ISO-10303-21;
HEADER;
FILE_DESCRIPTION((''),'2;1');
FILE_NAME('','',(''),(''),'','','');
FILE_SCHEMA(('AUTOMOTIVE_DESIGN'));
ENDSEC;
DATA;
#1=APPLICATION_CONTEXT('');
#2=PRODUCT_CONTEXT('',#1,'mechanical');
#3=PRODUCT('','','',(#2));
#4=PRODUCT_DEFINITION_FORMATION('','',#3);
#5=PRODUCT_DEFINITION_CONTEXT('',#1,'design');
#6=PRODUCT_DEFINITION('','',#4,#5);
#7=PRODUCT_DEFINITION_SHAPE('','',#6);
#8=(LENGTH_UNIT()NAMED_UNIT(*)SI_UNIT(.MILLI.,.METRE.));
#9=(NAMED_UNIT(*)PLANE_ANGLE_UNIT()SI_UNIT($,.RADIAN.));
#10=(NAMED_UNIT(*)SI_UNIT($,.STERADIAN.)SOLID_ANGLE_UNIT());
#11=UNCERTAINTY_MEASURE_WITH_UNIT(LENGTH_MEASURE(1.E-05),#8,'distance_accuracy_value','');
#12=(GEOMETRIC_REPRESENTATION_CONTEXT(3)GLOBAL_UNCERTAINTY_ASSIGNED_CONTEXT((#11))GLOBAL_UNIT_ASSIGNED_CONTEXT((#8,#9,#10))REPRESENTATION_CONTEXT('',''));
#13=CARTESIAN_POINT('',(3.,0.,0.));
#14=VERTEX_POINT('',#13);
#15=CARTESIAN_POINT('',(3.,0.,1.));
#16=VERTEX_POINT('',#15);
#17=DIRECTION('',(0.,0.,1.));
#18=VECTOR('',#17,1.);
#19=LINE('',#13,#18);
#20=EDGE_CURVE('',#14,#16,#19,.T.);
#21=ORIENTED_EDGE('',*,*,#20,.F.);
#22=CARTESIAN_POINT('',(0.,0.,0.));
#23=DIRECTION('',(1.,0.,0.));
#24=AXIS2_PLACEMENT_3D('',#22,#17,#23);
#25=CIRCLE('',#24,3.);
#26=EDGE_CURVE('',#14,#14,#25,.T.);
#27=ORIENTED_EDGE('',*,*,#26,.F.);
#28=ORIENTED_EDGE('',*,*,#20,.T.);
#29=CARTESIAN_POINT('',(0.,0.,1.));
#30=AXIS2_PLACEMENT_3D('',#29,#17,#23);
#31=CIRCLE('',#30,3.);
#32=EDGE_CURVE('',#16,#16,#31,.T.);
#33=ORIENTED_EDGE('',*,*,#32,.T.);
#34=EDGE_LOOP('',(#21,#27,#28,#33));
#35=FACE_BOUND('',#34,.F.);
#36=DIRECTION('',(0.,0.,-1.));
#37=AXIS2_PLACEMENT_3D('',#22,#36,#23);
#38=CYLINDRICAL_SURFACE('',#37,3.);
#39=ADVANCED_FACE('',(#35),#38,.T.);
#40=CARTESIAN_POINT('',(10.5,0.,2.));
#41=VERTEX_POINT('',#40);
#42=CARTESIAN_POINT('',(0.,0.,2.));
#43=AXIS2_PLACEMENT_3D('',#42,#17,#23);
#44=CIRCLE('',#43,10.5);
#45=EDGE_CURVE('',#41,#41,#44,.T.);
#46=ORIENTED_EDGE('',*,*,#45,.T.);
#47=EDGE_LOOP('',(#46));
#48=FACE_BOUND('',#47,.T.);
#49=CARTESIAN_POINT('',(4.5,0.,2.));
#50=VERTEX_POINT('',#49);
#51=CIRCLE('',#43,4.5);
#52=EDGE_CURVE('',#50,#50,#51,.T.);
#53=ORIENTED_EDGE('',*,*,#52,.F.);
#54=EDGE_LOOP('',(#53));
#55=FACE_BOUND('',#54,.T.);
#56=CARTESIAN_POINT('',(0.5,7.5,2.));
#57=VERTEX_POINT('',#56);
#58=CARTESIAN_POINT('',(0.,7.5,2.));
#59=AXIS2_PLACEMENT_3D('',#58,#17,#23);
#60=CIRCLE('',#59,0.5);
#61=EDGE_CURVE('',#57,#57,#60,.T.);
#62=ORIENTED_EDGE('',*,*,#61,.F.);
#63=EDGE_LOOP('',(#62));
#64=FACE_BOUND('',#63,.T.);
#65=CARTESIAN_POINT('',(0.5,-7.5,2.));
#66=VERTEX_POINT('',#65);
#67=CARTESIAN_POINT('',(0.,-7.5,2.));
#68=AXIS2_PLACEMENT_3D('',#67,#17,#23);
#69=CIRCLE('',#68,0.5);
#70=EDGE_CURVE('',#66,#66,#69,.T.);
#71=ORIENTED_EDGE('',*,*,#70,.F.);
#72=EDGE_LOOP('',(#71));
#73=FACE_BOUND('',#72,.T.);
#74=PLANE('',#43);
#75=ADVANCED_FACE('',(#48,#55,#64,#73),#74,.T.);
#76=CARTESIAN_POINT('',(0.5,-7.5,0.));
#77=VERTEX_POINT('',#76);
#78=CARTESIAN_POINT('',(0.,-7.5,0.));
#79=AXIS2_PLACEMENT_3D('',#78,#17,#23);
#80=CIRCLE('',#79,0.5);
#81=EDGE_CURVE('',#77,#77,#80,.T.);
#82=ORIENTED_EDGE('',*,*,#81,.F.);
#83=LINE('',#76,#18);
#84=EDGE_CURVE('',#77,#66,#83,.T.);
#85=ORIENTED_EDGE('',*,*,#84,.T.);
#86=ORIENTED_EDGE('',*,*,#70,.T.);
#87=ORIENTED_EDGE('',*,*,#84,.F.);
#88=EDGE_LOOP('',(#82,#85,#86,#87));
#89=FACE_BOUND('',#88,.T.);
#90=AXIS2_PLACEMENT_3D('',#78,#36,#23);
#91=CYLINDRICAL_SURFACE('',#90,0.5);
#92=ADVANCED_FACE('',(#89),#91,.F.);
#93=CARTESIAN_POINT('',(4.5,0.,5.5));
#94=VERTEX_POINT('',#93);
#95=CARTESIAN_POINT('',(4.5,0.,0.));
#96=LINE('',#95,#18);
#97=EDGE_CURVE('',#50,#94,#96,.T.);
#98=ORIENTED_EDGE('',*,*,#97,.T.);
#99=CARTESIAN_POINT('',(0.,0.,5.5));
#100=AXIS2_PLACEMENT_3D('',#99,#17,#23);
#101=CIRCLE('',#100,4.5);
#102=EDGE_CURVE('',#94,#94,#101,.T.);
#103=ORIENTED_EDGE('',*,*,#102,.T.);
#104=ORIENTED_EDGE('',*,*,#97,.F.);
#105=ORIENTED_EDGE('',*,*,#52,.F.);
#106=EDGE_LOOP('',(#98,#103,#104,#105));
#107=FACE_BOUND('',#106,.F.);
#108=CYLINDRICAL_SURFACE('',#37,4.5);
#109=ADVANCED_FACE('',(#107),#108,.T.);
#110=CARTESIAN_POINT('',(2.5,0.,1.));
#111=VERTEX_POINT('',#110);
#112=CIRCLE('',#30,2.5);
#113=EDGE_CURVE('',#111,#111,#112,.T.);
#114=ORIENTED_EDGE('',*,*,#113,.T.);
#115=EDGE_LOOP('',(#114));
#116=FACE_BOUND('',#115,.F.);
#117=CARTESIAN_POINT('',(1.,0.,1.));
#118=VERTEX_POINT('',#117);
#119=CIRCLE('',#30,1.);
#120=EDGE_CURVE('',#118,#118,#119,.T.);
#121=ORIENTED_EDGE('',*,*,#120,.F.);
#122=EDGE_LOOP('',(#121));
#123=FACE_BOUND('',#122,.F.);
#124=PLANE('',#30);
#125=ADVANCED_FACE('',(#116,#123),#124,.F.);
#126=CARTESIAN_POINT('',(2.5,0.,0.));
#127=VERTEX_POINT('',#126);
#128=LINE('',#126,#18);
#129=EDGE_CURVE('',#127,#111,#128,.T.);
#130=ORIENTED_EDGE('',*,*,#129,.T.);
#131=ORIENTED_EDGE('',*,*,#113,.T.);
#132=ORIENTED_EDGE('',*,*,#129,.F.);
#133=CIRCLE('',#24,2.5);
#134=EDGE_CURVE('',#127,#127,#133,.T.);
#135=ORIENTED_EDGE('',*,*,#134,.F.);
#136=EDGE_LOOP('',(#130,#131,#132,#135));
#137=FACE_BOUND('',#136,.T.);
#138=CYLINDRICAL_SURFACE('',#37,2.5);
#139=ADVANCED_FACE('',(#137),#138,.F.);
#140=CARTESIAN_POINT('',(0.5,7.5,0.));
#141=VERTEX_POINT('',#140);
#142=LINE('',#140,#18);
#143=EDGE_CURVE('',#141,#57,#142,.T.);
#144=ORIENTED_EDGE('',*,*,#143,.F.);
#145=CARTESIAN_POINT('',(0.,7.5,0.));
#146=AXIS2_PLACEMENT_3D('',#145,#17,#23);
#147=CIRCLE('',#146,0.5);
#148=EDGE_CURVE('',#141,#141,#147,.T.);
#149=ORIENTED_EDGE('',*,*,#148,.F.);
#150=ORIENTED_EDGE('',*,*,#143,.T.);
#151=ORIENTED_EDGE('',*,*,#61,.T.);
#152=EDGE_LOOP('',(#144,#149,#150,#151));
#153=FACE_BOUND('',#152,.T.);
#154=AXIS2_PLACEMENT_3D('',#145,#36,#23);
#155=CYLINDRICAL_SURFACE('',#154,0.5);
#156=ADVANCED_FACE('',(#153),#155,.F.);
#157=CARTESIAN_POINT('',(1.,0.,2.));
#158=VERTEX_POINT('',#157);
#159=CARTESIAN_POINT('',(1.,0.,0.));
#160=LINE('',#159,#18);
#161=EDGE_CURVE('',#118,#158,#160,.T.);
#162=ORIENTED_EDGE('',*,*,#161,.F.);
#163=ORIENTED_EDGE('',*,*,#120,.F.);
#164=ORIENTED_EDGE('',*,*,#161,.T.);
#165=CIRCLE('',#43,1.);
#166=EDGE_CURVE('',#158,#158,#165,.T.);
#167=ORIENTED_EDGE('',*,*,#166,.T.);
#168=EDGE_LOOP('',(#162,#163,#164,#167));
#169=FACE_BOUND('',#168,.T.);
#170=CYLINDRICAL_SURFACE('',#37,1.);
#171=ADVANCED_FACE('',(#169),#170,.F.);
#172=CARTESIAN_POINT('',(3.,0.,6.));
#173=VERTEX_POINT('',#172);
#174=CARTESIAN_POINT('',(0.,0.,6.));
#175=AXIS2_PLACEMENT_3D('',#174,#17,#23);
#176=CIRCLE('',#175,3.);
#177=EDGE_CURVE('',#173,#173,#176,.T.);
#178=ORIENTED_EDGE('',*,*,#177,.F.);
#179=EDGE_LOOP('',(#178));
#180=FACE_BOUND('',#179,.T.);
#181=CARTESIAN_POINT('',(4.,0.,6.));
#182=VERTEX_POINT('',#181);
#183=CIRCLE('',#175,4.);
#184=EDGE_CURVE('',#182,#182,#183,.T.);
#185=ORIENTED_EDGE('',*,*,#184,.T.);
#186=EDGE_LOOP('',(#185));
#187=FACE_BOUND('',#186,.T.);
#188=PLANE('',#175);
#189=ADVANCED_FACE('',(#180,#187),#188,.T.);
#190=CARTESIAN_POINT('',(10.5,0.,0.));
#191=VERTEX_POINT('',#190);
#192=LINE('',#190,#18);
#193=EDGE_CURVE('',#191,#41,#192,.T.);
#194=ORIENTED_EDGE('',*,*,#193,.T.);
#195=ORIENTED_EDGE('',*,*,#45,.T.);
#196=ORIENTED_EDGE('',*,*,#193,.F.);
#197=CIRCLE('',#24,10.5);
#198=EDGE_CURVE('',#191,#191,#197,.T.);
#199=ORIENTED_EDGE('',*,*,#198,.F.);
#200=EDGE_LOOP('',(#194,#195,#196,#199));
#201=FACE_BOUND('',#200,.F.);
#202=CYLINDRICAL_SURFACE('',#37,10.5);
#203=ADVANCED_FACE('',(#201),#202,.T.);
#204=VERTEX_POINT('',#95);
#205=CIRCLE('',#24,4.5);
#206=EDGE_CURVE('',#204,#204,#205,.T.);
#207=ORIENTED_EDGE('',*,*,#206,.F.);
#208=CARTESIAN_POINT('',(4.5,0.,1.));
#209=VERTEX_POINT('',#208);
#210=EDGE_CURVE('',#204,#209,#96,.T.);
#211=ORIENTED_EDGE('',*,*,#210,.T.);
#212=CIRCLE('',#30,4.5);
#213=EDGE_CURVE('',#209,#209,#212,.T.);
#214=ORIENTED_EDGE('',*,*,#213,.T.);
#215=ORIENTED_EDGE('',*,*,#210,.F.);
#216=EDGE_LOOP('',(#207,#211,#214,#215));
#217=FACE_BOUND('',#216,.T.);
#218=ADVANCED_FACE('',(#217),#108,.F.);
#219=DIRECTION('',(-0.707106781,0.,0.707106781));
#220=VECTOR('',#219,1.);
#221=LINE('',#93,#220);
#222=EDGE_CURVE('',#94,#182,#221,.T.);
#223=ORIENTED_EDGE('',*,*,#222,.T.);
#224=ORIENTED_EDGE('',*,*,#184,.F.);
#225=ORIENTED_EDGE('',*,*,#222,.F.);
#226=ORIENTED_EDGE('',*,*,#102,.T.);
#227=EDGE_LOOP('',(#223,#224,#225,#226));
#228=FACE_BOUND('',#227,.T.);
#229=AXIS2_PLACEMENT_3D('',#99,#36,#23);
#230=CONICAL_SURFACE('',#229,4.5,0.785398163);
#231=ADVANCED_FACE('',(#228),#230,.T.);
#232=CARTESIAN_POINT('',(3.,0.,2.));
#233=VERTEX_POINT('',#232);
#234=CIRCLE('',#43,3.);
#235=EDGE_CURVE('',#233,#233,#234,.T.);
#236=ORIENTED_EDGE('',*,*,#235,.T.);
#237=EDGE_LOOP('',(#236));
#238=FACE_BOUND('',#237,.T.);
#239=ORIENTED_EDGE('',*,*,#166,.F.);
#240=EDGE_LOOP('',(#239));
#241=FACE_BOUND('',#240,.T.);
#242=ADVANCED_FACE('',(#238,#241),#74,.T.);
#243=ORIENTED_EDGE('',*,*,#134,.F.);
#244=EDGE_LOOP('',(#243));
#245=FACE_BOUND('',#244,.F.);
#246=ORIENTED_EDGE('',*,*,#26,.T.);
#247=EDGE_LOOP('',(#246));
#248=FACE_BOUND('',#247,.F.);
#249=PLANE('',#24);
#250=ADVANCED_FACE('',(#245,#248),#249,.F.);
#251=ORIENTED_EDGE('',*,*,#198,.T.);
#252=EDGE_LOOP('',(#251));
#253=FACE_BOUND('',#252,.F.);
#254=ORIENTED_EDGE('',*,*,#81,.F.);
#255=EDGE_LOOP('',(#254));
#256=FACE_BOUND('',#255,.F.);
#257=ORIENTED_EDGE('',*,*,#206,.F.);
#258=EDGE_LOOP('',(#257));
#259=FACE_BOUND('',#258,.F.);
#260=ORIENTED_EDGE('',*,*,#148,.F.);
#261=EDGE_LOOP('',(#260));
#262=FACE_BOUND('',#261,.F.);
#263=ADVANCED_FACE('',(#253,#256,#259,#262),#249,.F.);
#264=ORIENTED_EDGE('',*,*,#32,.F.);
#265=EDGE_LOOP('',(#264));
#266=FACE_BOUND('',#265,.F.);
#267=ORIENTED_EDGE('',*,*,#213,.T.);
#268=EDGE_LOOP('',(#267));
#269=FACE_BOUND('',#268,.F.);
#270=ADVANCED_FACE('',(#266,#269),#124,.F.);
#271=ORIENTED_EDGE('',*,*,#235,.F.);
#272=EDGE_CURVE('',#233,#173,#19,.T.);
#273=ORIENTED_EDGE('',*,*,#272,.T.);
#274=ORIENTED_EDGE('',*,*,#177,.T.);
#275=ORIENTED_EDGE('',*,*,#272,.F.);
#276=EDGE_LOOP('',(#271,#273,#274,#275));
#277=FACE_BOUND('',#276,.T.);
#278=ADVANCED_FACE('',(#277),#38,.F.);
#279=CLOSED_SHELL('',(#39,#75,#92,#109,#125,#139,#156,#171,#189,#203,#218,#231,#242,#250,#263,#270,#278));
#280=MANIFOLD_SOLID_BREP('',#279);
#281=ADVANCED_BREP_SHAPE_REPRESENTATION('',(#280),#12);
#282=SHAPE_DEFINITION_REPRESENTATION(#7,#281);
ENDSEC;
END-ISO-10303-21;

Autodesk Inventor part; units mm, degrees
ref_plane "YZ Plane" through (0, 0, 0) normal (1, 0, 0) x (0, 1, 0)
ref_plane "XZ Plane" through (0, 0, 0) normal (0, 1, 0) x (-1, 0, 0)
ref_plane "XY Plane" through (0, 0, 0) normal (0, 0, 1) x (1, 0, 0)
sketch "Sketch1" plane through (0, 0, 0) normal (0, 0, 1) x (1, 0, 0)
  circle A0 centre (0, 0) radius 10.5
  circle A1 centre (0, 0) radius 4.5
  circle A2 centre (0, 0) radius 3
  line L0 (-15, 0) -> (15, 0) construction
  line L1 (0, -19) -> (0, 21.6238) construction
  circle A3 centre (0, -7.5) radius 0.5
  circle A4 centre (0, 7.5) radius 0.5
  circle A5 centre (0, 0) radius 1
  circle A6 centre (0, 0) radius 2.5
  dimension "d0" = 21
  dimension "d1" = 9
  dimension "d2" = 6
  dimension "d3" = 1
  dimension "d4" = 7.5
  dimension "d5" = 2
  dimension "d6" = 5
extrude "Extrusion1" add sketch "Sketch1" along normal blind 6 contours A1
extrude "Extrusion2" add sketch "Sketch1" along normal blind 2 contours A0 | A2 | A6
extrude "Extrusion3" cut sketch "Sketch1" along normal blind 1 contours A1 | A6
chamfer "Chamfer1" distance 0.5 angle 45 1 edges at (-4.5, 0, 6)
properties part number "ServoHorn"
